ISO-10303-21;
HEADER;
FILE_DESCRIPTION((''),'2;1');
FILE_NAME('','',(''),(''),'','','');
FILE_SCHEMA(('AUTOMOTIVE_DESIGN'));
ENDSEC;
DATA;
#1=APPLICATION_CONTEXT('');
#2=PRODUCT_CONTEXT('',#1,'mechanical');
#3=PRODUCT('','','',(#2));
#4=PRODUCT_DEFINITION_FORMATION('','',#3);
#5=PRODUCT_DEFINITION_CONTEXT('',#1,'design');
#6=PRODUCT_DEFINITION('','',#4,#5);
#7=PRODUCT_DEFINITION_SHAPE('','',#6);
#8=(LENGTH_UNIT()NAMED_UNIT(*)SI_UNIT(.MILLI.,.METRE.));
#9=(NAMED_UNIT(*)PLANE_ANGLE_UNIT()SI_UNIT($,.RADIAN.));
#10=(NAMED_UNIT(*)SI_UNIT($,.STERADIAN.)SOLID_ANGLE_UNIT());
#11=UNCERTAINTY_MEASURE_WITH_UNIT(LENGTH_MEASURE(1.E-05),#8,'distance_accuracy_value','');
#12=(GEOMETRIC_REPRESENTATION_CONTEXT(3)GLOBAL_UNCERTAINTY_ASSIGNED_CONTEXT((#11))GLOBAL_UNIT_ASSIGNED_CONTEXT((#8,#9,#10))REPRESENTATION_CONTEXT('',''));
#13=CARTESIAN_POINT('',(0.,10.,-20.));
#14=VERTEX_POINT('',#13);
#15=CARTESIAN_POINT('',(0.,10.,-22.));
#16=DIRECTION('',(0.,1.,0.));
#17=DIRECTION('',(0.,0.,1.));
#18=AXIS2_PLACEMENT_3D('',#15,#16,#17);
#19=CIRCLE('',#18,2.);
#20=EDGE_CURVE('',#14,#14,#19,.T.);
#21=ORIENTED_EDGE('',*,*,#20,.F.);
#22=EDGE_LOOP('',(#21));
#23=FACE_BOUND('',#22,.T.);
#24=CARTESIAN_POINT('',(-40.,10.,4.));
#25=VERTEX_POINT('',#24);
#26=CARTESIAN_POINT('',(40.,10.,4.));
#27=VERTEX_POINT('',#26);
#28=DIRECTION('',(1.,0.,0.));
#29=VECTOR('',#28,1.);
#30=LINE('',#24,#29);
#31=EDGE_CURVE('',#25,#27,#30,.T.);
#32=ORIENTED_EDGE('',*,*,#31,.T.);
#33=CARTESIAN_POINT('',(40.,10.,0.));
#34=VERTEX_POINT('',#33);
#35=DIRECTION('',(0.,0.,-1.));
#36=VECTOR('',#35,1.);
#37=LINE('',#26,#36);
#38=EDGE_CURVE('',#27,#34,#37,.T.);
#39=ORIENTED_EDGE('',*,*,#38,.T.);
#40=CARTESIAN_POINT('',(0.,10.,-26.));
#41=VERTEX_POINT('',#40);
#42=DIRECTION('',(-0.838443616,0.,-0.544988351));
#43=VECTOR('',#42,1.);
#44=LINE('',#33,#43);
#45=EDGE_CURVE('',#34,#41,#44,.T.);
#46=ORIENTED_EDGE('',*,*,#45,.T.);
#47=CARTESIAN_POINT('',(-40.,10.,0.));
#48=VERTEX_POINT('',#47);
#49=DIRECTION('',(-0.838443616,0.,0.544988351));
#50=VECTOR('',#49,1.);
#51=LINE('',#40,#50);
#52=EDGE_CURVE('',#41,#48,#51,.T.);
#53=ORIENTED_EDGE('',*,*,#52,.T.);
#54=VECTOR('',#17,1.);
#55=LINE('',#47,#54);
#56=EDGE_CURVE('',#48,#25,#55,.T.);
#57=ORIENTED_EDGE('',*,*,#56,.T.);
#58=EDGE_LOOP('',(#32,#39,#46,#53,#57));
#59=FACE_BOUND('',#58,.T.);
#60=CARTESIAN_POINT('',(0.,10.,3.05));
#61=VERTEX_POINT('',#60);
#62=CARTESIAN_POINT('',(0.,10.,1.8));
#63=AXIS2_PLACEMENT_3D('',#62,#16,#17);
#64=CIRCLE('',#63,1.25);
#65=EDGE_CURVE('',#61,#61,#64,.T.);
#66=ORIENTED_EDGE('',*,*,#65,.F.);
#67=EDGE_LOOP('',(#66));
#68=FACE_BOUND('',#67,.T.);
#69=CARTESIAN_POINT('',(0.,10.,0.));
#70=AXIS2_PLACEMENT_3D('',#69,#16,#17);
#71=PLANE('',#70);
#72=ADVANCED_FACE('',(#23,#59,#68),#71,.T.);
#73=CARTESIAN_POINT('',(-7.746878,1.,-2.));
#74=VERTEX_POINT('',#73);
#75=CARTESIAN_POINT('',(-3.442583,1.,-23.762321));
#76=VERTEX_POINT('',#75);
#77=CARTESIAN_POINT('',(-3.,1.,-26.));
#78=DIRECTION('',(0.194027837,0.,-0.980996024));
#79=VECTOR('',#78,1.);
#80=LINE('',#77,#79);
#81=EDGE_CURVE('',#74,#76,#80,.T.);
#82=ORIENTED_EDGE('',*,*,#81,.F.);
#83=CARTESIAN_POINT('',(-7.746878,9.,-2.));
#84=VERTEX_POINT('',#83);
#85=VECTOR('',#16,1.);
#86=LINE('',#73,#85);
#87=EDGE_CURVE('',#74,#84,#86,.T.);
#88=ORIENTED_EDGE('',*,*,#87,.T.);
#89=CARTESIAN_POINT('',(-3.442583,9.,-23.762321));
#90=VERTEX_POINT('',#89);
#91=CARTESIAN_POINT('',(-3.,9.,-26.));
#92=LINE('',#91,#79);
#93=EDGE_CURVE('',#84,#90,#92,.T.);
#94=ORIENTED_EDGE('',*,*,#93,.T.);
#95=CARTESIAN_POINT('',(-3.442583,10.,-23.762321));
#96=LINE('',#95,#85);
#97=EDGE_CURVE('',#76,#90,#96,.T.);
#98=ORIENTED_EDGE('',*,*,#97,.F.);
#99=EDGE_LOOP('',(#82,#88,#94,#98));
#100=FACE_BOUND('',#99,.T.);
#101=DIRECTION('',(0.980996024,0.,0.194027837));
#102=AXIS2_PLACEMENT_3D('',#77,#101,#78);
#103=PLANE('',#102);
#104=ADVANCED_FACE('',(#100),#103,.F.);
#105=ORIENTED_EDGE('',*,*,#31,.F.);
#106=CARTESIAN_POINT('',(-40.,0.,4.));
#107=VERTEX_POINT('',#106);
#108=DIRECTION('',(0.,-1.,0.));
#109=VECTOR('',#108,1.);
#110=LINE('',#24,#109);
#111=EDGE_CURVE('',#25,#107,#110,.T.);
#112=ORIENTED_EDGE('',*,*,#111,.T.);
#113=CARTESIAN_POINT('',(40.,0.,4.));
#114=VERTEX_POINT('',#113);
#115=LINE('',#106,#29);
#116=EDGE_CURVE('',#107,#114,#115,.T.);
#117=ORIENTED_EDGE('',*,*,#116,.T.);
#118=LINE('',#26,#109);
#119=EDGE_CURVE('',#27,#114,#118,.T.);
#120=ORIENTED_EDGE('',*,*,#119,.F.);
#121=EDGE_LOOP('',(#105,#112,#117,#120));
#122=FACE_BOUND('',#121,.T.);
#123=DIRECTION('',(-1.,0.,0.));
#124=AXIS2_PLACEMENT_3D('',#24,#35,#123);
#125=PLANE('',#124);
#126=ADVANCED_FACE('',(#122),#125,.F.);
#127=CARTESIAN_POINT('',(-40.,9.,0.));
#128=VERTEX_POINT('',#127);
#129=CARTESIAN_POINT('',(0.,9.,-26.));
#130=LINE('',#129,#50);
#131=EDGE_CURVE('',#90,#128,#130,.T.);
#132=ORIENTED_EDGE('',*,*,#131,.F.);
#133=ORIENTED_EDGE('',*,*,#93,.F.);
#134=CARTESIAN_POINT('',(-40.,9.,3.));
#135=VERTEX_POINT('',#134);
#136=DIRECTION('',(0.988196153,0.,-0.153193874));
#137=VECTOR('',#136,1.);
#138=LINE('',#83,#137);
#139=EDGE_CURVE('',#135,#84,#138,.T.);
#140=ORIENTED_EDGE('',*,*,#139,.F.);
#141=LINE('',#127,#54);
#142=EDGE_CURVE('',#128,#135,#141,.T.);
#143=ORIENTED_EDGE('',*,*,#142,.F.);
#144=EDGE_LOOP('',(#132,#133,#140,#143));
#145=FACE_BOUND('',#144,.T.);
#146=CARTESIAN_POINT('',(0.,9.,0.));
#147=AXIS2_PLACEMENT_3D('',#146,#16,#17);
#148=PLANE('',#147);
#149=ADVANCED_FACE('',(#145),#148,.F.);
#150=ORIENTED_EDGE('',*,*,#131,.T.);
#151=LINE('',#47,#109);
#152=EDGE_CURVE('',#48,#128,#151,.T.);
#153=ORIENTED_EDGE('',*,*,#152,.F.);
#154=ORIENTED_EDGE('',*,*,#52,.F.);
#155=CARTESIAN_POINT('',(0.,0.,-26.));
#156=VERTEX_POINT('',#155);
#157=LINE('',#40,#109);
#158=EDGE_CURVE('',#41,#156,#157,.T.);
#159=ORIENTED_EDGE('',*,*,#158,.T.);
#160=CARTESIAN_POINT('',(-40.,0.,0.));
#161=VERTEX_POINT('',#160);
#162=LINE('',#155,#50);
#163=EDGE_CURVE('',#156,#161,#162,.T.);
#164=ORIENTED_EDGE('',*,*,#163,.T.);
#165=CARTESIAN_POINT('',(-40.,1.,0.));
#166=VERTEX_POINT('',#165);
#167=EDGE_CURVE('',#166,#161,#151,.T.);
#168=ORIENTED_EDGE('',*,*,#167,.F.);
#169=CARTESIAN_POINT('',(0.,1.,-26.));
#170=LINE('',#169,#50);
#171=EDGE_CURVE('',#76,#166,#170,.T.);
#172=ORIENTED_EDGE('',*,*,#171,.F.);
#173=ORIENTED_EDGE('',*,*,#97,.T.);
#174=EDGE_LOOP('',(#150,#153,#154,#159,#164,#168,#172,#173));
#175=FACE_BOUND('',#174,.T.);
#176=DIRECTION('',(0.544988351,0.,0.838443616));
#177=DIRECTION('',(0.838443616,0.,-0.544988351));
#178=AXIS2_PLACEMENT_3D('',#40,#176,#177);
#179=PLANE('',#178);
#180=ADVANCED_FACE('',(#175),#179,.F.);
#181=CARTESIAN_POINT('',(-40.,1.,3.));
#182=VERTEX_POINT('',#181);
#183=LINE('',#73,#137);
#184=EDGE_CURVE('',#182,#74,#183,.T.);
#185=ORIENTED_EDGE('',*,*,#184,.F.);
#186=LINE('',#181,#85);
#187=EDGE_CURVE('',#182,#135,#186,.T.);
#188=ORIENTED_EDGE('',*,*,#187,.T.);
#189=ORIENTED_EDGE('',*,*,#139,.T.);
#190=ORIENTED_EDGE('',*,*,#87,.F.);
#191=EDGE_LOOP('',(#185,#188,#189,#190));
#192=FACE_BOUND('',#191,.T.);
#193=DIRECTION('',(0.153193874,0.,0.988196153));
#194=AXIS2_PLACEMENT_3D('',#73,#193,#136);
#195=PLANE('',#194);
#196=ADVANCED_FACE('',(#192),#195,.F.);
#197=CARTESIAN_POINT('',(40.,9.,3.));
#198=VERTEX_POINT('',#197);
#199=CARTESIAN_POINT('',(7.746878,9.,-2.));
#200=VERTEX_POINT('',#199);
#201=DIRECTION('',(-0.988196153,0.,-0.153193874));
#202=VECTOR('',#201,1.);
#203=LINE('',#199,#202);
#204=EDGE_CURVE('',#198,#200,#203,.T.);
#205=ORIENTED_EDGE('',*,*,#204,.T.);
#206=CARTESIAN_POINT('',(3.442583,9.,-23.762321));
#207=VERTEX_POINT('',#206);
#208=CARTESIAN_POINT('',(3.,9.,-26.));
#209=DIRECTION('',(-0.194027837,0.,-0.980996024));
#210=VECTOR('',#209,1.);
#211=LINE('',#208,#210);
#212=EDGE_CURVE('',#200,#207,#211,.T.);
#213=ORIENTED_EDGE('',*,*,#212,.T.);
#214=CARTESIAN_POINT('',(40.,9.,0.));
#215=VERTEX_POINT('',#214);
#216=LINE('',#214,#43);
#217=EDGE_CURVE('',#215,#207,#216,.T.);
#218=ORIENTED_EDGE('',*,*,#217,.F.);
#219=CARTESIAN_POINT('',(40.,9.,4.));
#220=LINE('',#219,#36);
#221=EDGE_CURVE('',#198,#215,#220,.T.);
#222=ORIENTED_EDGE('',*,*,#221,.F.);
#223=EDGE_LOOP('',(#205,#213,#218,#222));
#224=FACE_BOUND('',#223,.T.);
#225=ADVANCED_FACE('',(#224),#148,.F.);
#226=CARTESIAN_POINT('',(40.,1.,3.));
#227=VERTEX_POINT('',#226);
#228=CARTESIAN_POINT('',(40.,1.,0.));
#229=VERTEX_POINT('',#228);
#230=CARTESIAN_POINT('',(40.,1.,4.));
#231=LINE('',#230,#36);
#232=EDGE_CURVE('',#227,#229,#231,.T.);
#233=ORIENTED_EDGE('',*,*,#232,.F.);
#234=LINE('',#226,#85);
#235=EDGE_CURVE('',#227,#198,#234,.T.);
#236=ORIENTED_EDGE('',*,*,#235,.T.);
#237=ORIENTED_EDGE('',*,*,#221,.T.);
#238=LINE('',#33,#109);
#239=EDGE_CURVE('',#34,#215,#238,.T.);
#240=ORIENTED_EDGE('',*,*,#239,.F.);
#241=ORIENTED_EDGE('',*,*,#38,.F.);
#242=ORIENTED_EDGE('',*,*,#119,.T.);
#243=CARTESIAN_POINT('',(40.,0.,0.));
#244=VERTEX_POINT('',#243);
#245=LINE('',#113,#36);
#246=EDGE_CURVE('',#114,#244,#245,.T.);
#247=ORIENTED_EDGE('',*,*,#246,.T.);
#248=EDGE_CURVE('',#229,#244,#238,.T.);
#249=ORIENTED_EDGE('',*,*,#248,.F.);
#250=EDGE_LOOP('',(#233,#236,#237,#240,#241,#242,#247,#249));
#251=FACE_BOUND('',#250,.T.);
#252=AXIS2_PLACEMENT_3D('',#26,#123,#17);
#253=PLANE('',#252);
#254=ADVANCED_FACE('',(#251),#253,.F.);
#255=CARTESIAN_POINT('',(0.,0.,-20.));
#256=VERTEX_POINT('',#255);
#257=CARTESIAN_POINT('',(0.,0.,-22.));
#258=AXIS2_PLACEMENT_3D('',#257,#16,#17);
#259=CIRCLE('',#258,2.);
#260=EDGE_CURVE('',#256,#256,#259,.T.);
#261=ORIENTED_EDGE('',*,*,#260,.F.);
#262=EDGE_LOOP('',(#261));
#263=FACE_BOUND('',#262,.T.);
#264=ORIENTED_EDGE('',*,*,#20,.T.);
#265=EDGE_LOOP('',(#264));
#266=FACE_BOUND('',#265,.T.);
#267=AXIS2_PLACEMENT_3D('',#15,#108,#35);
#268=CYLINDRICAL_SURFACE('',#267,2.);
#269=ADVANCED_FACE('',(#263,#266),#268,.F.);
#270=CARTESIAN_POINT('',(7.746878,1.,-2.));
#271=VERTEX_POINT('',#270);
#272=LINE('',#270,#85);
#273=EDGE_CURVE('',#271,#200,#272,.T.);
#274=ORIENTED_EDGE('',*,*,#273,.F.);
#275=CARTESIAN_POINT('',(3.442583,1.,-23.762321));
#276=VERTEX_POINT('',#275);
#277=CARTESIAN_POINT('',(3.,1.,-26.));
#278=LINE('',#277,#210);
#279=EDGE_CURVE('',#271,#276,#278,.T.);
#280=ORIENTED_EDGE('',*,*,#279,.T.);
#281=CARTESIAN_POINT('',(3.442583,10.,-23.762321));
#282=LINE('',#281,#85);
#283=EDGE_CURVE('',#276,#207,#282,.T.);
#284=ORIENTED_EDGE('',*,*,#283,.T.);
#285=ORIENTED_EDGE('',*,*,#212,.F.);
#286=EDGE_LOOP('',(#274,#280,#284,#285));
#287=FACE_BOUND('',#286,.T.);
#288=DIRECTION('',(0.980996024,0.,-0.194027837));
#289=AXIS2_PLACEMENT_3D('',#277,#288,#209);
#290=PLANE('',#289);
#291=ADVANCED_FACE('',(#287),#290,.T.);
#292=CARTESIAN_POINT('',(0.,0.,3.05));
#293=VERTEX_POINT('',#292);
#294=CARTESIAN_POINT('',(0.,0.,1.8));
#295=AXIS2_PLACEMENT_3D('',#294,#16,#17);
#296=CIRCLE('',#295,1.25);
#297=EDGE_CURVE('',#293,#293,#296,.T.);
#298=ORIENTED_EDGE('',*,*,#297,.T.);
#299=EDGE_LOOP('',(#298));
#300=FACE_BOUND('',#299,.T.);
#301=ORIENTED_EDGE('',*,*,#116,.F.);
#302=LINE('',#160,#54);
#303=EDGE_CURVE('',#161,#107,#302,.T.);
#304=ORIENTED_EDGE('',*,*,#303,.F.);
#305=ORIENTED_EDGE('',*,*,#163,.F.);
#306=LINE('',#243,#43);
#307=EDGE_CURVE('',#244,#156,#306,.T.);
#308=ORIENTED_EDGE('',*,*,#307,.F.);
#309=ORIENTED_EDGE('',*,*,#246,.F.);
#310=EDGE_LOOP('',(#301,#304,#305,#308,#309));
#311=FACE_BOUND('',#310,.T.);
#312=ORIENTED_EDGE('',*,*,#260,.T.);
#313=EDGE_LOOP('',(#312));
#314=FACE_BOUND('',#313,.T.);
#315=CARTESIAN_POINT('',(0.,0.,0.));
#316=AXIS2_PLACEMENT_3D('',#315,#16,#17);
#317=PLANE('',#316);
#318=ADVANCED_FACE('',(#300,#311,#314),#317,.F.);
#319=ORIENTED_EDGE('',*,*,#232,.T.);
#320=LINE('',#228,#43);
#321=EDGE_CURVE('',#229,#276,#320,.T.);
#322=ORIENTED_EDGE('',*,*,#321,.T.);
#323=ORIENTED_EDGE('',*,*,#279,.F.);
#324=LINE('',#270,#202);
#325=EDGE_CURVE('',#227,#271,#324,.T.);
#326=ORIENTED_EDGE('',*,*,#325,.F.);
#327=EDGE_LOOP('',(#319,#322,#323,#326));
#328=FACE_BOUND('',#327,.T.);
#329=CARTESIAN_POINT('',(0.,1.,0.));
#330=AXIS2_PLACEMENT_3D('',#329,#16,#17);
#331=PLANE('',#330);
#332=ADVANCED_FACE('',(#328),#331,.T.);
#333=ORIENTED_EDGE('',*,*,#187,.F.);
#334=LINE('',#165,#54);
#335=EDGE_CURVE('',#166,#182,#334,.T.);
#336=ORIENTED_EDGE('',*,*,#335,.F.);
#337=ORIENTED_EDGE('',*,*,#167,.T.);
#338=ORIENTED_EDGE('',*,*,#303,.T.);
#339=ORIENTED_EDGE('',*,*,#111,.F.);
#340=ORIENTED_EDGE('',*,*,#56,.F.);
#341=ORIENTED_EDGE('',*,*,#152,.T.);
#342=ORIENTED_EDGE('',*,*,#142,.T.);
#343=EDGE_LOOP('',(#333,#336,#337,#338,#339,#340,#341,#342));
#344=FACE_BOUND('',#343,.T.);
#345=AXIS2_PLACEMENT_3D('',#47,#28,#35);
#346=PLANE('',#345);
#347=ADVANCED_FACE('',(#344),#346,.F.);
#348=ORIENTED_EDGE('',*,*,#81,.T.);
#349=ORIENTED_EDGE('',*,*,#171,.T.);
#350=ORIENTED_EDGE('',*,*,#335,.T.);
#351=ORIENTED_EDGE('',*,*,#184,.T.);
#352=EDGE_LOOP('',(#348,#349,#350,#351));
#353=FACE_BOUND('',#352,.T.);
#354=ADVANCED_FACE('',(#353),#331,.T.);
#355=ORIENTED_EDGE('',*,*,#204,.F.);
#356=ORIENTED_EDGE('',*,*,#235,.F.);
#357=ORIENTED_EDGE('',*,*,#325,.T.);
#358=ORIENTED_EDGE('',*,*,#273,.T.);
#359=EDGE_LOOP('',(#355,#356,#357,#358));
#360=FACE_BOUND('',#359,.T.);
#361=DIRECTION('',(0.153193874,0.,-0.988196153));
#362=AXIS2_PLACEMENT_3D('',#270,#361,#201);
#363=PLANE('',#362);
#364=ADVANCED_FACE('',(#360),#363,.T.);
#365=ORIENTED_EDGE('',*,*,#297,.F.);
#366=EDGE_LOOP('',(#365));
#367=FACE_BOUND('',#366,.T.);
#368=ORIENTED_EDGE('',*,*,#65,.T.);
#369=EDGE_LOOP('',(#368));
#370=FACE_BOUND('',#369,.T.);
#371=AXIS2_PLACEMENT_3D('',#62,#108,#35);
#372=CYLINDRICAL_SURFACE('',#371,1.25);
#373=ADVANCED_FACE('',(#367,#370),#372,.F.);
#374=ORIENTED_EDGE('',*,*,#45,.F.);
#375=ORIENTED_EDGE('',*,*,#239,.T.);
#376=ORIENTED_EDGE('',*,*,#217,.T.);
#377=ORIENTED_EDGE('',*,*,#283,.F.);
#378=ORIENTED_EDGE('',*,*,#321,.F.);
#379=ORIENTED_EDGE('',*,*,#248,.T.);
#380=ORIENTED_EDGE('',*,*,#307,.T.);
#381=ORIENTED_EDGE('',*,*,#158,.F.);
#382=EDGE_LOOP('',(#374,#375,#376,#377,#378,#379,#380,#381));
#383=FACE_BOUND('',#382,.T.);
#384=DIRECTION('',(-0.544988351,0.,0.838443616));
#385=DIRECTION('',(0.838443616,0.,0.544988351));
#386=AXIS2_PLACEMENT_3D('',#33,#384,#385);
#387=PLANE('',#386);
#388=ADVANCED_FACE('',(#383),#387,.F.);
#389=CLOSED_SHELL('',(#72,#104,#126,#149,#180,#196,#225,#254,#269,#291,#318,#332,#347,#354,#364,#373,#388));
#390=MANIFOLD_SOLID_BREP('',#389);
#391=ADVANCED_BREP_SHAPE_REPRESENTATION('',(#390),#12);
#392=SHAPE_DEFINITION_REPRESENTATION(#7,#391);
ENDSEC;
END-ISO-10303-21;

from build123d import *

# Parameters (mm, degrees)
SKETCH1_R           = 2
SKETCH1_R_2         = 1.25
BOSS_EXTRUDE1_DEPTH = 10
CUT_EXTRUDE1_DEPTH  = 8


with BuildPart() as part:
    # Sketch1 → Boss-Extrude1 (new body)
    with BuildSketch(Plane(origin=(0, 0, 0), x_dir=(1, 0, 0), z_dir=(0, 1, 0))):
        Polygon((0, 26), (-40, 0), (-40, -4), (40, -4), (40, 0), align=None)
        with Locations((0, 22)):
            Circle(SKETCH1_R, mode=Mode.SUBTRACT)
        with Locations((0, -1.8)):
            Circle(SKETCH1_R_2, mode=Mode.SUBTRACT)
    extrude(amount=BOSS_EXTRUDE1_DEPTH)

    # Sketch2 → Cut-Extrude1 (cut)
    with BuildSketch(Plane(origin=(0, 9, 0), x_dir=(1, 0, 0), z_dir=(0, 1, 0))):
        Polygon((-3, 26), (-7.746877636, 2), (-40, -3), (-40, 3.063809347), align=None)
    cut_extrude1 = extrude(amount=-CUT_EXTRUDE1_DEPTH, mode=Mode.SUBTRACT)

    # Mirror1: Cut-Extrude1 across plane
    add(cut_extrude1.mirror(Plane(origin=(0, 0, 0), x_dir=(0, 0, 1), z_dir=(1, 0, 0))), mode=Mode.SUBTRACT)


solid = part.part
